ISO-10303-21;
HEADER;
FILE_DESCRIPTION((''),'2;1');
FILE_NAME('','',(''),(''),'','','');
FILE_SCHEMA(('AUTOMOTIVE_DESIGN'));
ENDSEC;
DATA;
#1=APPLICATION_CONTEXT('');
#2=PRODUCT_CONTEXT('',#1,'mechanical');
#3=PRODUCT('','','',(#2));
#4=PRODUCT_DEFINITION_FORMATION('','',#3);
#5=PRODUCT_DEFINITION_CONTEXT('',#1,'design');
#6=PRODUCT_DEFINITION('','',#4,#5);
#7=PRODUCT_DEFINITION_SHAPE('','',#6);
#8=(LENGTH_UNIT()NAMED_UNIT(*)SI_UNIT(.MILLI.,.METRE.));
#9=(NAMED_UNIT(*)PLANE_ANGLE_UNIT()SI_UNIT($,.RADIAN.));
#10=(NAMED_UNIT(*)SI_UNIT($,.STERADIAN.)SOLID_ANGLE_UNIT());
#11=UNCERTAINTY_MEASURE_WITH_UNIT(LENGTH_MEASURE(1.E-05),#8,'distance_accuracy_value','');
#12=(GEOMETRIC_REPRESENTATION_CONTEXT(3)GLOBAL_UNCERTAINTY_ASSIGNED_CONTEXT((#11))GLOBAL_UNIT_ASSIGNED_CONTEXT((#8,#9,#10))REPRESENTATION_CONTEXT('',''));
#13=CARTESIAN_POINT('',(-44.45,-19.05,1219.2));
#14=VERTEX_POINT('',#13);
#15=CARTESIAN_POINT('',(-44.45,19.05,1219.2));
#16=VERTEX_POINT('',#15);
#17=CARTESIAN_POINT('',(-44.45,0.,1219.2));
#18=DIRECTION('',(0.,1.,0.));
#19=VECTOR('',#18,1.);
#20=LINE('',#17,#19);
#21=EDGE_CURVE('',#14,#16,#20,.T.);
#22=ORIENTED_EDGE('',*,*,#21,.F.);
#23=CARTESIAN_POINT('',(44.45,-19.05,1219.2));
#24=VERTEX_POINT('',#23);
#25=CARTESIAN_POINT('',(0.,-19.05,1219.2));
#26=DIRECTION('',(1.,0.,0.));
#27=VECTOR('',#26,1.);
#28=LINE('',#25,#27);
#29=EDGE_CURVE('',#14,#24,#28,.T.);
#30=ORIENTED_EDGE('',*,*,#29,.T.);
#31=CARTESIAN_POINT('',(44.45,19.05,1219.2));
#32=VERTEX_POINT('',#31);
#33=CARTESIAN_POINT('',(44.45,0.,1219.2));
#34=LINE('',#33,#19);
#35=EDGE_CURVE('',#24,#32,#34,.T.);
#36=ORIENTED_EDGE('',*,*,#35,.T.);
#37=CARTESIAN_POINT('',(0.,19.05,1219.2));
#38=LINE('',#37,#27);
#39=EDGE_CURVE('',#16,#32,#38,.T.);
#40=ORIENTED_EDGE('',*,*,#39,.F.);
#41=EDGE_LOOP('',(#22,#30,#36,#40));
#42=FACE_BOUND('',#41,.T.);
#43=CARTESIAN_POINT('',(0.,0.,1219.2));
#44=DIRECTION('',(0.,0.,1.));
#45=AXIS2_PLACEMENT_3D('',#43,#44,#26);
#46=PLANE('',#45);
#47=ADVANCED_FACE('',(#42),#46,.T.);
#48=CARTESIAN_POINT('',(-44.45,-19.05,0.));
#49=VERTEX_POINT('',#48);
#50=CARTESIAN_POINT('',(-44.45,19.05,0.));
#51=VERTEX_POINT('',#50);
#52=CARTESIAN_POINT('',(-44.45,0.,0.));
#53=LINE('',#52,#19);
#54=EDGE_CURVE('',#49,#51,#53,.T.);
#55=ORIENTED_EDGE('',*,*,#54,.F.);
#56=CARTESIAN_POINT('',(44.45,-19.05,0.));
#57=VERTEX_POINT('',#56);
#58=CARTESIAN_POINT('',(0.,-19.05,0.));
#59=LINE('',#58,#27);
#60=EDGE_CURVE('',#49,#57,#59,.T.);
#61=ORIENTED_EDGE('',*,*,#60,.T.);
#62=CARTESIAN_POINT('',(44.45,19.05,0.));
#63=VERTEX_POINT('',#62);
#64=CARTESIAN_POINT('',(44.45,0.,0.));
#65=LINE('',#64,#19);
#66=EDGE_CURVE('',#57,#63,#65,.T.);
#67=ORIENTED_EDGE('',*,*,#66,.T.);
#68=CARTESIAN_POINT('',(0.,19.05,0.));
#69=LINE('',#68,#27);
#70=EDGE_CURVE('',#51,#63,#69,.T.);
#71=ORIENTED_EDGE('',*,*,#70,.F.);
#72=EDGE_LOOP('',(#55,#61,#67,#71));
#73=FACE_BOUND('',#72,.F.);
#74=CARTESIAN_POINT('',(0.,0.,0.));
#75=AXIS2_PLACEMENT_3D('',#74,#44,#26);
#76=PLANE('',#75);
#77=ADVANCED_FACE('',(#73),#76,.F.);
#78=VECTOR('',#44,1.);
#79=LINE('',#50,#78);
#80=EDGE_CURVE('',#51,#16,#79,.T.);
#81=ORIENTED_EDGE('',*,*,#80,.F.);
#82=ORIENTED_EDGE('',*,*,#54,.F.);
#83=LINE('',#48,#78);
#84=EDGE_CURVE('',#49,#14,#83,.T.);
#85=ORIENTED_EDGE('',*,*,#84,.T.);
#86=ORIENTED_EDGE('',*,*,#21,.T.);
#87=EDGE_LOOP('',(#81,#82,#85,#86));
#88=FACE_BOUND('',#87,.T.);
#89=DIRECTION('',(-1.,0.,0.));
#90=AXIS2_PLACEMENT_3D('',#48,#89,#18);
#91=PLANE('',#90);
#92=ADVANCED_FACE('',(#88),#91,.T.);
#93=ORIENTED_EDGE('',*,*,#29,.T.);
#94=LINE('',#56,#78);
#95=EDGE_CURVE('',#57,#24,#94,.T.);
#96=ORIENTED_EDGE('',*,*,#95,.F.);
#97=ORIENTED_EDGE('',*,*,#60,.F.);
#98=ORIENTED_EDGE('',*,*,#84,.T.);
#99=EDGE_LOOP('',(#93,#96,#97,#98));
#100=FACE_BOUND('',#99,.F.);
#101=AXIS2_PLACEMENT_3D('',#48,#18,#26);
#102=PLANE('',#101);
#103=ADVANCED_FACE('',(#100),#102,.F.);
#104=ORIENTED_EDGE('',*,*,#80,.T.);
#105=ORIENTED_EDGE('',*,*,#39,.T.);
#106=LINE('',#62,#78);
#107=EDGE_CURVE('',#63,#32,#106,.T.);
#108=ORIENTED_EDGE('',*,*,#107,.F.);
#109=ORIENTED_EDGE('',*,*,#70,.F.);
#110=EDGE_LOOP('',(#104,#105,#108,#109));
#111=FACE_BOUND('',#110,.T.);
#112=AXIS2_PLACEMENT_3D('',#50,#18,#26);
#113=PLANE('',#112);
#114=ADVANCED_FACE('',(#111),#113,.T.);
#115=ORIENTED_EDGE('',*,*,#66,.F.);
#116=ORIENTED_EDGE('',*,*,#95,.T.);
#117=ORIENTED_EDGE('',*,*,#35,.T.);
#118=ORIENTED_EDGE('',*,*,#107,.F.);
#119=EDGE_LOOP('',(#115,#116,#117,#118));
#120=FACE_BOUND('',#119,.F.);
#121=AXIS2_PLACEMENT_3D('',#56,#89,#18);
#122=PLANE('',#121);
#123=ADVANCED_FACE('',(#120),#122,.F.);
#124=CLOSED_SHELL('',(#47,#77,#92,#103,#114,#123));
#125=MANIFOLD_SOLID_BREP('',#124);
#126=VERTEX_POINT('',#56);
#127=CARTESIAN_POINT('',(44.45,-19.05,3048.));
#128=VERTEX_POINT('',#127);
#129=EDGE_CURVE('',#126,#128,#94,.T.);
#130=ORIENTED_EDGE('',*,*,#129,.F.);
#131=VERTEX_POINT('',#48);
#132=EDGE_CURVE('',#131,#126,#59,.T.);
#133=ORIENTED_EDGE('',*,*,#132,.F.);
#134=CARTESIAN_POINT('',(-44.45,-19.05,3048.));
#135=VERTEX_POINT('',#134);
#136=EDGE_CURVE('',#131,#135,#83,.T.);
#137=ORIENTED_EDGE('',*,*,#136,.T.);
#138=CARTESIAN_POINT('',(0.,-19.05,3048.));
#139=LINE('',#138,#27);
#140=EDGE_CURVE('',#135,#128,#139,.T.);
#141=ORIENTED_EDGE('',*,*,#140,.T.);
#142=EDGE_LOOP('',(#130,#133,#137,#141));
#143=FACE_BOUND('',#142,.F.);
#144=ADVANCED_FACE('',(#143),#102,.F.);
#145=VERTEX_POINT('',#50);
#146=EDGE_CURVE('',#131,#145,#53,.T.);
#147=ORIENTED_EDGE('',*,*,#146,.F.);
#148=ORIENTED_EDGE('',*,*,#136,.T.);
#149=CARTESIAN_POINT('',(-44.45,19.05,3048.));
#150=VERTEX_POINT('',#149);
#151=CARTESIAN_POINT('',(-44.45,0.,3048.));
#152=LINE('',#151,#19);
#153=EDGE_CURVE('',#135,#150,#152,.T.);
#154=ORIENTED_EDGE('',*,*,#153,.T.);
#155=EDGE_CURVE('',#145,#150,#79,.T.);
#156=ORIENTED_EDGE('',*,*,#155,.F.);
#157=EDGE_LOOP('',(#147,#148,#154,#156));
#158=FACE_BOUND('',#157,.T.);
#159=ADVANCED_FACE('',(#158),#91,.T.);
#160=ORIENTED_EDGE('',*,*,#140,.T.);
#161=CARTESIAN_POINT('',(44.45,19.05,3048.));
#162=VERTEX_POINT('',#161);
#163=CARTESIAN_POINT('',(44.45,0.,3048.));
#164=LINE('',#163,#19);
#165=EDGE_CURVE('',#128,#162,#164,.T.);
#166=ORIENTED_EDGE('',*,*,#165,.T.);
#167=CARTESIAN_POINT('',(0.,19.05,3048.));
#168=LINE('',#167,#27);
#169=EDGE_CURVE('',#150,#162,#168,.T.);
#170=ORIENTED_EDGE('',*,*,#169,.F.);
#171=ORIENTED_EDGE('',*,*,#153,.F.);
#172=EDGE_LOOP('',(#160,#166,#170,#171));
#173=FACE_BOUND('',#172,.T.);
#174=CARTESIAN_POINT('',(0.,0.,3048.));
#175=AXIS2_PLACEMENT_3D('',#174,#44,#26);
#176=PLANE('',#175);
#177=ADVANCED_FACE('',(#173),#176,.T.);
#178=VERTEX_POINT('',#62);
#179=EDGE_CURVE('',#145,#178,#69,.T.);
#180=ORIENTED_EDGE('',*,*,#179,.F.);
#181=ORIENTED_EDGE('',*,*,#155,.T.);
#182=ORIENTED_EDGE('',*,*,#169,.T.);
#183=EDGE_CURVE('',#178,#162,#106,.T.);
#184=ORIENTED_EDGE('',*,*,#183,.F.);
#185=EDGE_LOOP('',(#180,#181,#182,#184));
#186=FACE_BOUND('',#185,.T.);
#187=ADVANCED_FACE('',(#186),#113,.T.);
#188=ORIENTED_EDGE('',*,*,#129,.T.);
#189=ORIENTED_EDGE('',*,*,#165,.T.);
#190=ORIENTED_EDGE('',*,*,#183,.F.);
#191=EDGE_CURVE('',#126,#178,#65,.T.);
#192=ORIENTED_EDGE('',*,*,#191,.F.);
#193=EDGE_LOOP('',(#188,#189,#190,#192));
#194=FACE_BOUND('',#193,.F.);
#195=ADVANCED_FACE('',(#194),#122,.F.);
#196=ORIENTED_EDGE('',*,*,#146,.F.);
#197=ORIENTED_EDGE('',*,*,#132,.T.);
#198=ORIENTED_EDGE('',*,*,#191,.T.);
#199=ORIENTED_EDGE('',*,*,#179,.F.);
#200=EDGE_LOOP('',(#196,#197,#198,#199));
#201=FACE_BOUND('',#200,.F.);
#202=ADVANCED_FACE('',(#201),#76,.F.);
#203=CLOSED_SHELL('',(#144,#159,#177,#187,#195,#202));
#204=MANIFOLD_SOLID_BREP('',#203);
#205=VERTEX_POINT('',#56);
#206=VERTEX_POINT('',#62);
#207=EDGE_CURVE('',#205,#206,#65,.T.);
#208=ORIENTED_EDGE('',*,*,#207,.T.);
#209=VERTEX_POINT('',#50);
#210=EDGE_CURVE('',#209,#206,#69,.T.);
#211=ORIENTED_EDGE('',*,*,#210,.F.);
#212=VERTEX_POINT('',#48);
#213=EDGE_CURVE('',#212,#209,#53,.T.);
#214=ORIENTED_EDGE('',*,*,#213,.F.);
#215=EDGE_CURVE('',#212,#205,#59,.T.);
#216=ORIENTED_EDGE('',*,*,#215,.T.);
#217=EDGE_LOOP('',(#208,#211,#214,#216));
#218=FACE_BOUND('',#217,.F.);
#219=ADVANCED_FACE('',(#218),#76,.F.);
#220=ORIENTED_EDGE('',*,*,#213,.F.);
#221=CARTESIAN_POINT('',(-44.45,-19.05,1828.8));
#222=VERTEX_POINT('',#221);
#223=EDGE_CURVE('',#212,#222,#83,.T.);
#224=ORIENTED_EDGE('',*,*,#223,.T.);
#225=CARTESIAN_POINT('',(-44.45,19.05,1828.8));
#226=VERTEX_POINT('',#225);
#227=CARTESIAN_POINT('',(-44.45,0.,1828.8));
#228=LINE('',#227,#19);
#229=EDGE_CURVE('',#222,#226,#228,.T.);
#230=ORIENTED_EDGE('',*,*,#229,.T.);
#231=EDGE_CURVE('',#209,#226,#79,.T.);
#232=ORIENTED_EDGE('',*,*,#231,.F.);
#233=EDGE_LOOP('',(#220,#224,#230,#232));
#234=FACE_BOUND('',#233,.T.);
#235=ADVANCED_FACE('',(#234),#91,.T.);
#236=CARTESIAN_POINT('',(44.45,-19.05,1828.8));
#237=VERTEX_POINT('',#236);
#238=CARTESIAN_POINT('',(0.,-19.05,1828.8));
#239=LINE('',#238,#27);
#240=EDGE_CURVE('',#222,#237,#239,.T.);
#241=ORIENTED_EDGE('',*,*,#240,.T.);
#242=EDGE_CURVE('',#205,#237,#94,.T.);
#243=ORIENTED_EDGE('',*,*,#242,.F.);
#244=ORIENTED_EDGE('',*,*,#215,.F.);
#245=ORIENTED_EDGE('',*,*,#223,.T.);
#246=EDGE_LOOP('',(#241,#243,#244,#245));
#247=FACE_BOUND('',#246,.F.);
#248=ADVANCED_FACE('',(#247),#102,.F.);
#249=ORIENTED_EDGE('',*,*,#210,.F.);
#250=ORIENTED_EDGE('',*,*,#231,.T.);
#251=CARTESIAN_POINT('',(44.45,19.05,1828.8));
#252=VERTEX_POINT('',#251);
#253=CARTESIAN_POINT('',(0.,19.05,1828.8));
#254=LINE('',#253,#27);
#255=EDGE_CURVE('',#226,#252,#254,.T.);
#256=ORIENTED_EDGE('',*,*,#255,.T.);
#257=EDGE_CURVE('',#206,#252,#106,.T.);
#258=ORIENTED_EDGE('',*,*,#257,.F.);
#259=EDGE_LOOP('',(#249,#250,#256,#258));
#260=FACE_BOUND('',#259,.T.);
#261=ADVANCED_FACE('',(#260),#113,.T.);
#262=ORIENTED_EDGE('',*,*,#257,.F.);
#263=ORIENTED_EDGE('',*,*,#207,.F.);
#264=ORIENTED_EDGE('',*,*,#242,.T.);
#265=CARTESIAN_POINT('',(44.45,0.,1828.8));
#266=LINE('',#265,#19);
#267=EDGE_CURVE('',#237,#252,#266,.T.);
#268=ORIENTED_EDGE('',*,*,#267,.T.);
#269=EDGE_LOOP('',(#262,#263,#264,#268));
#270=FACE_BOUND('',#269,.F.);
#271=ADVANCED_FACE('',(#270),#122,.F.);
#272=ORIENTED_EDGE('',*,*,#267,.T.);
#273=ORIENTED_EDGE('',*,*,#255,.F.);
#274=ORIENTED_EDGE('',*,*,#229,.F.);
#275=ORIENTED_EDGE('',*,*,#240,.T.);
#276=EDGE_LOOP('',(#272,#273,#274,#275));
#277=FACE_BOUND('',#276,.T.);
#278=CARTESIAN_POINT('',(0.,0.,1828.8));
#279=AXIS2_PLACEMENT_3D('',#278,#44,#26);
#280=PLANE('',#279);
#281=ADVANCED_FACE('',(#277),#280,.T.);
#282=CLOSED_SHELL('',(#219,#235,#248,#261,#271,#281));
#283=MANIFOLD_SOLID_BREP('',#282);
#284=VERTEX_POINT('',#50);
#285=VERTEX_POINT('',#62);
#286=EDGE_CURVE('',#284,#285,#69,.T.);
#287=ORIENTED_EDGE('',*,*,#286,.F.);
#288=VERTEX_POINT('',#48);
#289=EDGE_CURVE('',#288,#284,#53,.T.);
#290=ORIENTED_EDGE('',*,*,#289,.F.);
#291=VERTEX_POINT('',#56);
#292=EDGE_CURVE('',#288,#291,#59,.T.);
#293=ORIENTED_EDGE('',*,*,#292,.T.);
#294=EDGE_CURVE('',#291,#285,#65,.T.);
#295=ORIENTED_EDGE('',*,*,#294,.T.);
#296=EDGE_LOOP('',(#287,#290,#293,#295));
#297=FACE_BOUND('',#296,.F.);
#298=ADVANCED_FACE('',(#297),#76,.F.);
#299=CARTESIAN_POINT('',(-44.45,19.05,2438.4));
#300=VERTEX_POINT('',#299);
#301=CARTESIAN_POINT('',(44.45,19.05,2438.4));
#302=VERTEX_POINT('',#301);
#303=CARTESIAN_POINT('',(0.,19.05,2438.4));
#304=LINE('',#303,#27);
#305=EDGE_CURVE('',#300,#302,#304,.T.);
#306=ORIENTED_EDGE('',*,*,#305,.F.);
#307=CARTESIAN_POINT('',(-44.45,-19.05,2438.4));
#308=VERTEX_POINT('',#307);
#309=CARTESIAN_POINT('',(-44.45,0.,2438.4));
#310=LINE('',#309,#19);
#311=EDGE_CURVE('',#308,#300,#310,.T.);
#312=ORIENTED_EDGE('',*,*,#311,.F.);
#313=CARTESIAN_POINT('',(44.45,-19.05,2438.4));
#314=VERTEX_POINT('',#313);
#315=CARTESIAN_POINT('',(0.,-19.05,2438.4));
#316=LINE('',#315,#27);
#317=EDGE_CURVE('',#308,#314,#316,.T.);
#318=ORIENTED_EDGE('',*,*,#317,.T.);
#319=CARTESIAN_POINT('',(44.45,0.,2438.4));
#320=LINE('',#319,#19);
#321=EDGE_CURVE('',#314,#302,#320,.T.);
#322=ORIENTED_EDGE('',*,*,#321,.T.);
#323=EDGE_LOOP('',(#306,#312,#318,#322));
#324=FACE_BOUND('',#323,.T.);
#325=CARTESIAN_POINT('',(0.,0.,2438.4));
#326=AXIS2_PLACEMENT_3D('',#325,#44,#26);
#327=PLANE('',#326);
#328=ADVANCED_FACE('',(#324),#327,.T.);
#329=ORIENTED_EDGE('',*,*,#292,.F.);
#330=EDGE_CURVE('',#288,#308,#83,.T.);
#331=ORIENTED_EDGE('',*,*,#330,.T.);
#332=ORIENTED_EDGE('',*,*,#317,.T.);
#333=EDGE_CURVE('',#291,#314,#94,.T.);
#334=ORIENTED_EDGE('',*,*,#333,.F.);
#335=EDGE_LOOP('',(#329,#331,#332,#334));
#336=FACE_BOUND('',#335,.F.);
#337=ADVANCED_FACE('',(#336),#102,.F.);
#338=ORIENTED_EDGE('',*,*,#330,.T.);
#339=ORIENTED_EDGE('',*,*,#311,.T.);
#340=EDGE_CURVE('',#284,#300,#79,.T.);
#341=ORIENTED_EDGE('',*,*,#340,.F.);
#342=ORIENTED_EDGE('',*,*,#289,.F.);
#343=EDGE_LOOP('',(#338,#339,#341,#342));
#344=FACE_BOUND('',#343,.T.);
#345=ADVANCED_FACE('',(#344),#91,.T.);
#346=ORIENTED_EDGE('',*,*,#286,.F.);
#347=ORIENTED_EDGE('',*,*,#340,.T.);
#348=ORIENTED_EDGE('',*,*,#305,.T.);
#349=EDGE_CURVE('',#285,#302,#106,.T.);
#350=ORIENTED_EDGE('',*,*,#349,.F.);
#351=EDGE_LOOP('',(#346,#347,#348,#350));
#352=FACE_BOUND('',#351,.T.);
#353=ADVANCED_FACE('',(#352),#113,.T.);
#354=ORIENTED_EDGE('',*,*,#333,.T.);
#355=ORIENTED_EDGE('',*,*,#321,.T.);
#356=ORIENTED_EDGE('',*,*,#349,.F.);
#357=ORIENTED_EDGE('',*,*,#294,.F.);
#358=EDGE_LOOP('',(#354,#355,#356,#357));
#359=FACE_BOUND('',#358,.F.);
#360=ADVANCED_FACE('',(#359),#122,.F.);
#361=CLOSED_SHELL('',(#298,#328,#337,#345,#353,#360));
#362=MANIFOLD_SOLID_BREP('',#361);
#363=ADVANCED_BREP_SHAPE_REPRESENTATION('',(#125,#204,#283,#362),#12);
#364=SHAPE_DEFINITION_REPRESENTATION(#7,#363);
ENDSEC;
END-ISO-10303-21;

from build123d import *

# Parameters (mm, degrees)
F0_W     = 88.9
F0_H     = 38.1
F1_DEPTH = 1219.2
F2_DEPTH = 1828.8
F3_DEPTH = 2438.4
F4_DEPTH = 3048


with BuildPart() as f1:
    # F0 (on Top) → F1 (new body)
    with BuildSketch(Plane.XY):
        Rectangle(F0_W, F0_H)
    extrude(amount=F1_DEPTH)


with BuildPart() as f2:
    # F0 (on Top) → F2 (new body)
    with BuildSketch(Plane.XY):
        Rectangle(F0_W, F0_H)
    extrude(amount=F2_DEPTH)


with BuildPart() as f3:
    # F0 (on Top) → F3 (new body)
    with BuildSketch(Plane.XY):
        Rectangle(F0_W, F0_H)
    extrude(amount=F3_DEPTH)


with BuildPart() as f4:
    # F0 (on Top) → F4 (new body)
    with BuildSketch(Plane.XY):
        Rectangle(F0_W, F0_H)
    extrude(amount=F4_DEPTH)


solid = Compound([f1.part, f2.part, f3.part, f4.part])
